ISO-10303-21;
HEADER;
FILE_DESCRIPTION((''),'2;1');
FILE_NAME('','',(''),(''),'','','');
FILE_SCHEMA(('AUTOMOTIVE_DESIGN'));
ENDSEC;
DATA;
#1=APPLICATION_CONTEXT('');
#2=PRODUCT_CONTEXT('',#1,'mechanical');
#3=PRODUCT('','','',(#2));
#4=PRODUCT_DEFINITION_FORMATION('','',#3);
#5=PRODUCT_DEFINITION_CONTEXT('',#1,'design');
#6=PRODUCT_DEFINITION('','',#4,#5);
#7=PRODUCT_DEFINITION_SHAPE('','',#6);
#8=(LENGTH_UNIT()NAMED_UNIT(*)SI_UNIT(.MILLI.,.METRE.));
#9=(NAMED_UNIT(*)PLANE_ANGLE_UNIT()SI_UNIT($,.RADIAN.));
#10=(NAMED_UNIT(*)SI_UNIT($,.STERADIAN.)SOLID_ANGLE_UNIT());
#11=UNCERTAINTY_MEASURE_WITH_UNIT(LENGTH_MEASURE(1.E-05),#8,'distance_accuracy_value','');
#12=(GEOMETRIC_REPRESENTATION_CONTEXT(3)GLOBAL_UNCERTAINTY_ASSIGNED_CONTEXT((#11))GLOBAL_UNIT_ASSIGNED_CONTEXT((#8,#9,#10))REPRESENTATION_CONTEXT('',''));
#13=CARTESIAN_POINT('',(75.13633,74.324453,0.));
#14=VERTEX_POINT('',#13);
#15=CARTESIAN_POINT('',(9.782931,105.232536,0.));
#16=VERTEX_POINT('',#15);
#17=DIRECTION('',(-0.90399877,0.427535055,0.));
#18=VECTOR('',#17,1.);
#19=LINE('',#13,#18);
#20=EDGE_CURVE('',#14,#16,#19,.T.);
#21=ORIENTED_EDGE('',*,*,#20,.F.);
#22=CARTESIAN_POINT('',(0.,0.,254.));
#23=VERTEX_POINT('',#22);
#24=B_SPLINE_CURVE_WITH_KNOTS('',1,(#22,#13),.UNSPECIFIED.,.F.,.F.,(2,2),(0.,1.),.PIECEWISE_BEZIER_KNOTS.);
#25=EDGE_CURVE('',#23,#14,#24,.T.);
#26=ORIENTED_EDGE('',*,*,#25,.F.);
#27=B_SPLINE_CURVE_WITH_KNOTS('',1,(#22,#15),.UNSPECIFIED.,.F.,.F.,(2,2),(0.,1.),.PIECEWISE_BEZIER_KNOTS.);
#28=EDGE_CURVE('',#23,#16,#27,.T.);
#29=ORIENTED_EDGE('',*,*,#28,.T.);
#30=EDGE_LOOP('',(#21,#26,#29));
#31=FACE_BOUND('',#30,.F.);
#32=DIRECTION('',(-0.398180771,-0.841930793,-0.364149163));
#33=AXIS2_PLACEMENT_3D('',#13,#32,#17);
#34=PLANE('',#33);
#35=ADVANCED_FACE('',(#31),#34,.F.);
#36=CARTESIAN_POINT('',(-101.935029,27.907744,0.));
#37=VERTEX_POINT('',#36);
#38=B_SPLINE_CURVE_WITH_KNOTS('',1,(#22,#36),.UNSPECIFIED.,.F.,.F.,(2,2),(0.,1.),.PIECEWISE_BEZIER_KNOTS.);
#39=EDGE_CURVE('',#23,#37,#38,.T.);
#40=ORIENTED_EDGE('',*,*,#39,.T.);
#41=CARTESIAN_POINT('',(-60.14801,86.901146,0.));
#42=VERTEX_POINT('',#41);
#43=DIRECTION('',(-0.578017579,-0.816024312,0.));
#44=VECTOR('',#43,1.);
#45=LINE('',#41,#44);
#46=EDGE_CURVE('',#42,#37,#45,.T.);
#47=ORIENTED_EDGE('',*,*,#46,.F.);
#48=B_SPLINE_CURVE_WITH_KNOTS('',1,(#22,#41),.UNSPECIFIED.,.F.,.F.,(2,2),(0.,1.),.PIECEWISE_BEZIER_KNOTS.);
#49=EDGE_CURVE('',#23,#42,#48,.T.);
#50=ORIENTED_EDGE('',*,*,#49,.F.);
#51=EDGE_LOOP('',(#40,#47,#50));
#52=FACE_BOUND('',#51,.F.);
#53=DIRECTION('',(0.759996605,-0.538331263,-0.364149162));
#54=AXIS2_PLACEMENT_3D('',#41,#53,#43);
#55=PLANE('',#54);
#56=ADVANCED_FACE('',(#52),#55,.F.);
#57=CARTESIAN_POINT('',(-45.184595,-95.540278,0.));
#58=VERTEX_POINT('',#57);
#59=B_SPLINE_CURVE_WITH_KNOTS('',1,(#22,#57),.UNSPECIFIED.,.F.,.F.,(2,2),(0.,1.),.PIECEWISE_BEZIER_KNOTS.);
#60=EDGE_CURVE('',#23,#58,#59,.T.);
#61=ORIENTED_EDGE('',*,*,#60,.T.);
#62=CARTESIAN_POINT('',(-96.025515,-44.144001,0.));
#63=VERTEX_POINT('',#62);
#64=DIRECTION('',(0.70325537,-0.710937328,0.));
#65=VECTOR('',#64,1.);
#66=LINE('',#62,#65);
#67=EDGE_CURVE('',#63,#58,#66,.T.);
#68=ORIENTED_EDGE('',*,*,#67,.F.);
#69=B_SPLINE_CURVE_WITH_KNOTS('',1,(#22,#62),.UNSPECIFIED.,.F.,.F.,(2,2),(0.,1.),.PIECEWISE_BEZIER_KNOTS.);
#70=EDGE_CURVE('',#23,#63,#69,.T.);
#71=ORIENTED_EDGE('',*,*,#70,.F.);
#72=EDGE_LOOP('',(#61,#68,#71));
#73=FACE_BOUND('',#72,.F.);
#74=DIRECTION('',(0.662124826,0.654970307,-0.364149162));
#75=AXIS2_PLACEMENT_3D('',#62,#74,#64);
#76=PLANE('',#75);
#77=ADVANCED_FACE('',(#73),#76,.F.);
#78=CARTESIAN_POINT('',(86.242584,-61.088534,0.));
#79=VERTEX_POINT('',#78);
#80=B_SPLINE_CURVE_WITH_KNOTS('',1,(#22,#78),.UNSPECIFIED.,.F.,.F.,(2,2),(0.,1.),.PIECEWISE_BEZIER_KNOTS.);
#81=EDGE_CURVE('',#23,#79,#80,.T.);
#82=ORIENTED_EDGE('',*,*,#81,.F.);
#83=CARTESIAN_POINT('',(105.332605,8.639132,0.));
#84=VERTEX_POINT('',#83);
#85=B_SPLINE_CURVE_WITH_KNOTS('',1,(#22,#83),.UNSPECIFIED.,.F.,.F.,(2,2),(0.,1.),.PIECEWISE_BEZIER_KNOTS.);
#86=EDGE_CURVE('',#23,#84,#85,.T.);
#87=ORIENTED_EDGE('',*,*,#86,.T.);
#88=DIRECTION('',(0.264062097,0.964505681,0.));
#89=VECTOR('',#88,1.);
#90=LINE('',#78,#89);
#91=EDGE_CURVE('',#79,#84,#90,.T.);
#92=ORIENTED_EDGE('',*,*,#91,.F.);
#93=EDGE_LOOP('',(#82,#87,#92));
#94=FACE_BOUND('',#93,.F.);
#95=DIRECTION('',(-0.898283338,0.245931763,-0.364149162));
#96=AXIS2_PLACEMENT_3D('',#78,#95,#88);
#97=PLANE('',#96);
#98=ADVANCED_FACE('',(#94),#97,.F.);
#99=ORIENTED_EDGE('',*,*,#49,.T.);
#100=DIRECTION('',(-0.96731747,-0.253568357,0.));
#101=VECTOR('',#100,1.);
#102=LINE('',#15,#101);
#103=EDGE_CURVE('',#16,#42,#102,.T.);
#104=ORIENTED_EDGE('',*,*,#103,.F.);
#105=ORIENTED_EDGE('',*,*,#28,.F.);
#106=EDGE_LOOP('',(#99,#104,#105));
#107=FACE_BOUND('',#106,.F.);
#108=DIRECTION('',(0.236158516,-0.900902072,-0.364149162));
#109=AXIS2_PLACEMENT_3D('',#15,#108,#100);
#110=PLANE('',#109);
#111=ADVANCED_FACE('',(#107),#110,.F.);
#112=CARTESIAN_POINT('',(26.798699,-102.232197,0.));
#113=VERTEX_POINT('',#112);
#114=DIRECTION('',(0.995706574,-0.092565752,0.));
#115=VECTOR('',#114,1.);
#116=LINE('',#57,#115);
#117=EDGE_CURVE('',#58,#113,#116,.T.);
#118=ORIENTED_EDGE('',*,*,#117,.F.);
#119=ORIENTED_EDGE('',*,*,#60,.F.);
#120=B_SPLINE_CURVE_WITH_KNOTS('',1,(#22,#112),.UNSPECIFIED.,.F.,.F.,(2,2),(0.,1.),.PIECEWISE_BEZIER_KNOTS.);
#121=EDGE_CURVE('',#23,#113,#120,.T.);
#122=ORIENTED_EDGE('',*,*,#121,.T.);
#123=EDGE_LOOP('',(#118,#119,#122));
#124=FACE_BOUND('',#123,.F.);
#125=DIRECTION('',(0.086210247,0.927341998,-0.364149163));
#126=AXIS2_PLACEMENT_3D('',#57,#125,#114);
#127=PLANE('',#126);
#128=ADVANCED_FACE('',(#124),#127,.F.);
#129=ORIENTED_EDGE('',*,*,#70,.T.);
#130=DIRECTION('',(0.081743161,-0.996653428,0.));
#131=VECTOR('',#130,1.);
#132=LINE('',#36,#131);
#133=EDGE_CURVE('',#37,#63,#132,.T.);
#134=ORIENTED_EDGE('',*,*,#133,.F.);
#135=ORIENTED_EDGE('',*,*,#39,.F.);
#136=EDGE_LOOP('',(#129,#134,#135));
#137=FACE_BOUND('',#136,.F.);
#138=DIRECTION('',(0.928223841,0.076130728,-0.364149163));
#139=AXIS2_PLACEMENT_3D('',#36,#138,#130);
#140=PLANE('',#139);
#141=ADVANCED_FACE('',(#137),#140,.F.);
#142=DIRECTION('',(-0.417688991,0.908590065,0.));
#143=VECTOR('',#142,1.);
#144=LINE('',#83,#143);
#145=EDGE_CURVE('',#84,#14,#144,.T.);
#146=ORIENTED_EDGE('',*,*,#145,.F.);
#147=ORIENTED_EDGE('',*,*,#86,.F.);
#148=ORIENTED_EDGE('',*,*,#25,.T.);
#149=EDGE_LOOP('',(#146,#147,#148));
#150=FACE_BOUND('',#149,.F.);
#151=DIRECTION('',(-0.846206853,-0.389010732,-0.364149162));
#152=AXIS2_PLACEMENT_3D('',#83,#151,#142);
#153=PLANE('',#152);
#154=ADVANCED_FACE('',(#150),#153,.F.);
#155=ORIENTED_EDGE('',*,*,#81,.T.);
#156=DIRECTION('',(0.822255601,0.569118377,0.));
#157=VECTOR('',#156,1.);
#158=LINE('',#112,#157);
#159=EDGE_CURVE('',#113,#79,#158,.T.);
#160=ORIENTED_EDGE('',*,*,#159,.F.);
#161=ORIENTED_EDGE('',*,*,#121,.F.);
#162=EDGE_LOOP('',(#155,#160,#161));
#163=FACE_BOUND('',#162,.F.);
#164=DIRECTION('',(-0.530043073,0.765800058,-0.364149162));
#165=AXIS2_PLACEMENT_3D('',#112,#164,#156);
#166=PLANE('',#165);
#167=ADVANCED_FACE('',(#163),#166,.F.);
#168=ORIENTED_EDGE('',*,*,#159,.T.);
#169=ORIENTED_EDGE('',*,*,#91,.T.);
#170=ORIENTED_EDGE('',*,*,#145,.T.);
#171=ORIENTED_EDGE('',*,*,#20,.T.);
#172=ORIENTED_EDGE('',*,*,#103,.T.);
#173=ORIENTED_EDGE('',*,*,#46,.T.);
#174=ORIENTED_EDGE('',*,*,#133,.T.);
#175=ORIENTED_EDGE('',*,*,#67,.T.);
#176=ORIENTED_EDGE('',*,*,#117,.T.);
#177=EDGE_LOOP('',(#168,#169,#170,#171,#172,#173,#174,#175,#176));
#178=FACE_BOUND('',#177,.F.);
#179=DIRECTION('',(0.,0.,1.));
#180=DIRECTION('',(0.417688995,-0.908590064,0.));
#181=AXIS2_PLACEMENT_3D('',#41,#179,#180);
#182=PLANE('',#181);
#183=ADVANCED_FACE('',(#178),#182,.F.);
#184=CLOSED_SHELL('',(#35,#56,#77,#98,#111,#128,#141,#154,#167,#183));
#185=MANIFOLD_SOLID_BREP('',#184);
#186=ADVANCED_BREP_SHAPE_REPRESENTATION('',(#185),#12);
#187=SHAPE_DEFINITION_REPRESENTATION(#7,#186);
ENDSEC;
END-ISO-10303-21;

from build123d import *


with BuildPart() as f3:
    # F0 (on Top) → F3 section 0
    with BuildSketch(Plane.XY, mode=Mode.PRIVATE) as f3_s0:
        Polygon((-60.14801, 86.901146), (-101.935029, 27.907744), (-96.025515, -44.144001), (-45.184595, -95.540278), (26.798699, -102.232197), (86.242584, -61.088534), (105.332605, 8.639132), (75.13633, 74.324453), (9.782931, 105.232536), align=None)
    loft([Vertex(0, 0, 254), f3_s0.sketch])


solid = f3.part
